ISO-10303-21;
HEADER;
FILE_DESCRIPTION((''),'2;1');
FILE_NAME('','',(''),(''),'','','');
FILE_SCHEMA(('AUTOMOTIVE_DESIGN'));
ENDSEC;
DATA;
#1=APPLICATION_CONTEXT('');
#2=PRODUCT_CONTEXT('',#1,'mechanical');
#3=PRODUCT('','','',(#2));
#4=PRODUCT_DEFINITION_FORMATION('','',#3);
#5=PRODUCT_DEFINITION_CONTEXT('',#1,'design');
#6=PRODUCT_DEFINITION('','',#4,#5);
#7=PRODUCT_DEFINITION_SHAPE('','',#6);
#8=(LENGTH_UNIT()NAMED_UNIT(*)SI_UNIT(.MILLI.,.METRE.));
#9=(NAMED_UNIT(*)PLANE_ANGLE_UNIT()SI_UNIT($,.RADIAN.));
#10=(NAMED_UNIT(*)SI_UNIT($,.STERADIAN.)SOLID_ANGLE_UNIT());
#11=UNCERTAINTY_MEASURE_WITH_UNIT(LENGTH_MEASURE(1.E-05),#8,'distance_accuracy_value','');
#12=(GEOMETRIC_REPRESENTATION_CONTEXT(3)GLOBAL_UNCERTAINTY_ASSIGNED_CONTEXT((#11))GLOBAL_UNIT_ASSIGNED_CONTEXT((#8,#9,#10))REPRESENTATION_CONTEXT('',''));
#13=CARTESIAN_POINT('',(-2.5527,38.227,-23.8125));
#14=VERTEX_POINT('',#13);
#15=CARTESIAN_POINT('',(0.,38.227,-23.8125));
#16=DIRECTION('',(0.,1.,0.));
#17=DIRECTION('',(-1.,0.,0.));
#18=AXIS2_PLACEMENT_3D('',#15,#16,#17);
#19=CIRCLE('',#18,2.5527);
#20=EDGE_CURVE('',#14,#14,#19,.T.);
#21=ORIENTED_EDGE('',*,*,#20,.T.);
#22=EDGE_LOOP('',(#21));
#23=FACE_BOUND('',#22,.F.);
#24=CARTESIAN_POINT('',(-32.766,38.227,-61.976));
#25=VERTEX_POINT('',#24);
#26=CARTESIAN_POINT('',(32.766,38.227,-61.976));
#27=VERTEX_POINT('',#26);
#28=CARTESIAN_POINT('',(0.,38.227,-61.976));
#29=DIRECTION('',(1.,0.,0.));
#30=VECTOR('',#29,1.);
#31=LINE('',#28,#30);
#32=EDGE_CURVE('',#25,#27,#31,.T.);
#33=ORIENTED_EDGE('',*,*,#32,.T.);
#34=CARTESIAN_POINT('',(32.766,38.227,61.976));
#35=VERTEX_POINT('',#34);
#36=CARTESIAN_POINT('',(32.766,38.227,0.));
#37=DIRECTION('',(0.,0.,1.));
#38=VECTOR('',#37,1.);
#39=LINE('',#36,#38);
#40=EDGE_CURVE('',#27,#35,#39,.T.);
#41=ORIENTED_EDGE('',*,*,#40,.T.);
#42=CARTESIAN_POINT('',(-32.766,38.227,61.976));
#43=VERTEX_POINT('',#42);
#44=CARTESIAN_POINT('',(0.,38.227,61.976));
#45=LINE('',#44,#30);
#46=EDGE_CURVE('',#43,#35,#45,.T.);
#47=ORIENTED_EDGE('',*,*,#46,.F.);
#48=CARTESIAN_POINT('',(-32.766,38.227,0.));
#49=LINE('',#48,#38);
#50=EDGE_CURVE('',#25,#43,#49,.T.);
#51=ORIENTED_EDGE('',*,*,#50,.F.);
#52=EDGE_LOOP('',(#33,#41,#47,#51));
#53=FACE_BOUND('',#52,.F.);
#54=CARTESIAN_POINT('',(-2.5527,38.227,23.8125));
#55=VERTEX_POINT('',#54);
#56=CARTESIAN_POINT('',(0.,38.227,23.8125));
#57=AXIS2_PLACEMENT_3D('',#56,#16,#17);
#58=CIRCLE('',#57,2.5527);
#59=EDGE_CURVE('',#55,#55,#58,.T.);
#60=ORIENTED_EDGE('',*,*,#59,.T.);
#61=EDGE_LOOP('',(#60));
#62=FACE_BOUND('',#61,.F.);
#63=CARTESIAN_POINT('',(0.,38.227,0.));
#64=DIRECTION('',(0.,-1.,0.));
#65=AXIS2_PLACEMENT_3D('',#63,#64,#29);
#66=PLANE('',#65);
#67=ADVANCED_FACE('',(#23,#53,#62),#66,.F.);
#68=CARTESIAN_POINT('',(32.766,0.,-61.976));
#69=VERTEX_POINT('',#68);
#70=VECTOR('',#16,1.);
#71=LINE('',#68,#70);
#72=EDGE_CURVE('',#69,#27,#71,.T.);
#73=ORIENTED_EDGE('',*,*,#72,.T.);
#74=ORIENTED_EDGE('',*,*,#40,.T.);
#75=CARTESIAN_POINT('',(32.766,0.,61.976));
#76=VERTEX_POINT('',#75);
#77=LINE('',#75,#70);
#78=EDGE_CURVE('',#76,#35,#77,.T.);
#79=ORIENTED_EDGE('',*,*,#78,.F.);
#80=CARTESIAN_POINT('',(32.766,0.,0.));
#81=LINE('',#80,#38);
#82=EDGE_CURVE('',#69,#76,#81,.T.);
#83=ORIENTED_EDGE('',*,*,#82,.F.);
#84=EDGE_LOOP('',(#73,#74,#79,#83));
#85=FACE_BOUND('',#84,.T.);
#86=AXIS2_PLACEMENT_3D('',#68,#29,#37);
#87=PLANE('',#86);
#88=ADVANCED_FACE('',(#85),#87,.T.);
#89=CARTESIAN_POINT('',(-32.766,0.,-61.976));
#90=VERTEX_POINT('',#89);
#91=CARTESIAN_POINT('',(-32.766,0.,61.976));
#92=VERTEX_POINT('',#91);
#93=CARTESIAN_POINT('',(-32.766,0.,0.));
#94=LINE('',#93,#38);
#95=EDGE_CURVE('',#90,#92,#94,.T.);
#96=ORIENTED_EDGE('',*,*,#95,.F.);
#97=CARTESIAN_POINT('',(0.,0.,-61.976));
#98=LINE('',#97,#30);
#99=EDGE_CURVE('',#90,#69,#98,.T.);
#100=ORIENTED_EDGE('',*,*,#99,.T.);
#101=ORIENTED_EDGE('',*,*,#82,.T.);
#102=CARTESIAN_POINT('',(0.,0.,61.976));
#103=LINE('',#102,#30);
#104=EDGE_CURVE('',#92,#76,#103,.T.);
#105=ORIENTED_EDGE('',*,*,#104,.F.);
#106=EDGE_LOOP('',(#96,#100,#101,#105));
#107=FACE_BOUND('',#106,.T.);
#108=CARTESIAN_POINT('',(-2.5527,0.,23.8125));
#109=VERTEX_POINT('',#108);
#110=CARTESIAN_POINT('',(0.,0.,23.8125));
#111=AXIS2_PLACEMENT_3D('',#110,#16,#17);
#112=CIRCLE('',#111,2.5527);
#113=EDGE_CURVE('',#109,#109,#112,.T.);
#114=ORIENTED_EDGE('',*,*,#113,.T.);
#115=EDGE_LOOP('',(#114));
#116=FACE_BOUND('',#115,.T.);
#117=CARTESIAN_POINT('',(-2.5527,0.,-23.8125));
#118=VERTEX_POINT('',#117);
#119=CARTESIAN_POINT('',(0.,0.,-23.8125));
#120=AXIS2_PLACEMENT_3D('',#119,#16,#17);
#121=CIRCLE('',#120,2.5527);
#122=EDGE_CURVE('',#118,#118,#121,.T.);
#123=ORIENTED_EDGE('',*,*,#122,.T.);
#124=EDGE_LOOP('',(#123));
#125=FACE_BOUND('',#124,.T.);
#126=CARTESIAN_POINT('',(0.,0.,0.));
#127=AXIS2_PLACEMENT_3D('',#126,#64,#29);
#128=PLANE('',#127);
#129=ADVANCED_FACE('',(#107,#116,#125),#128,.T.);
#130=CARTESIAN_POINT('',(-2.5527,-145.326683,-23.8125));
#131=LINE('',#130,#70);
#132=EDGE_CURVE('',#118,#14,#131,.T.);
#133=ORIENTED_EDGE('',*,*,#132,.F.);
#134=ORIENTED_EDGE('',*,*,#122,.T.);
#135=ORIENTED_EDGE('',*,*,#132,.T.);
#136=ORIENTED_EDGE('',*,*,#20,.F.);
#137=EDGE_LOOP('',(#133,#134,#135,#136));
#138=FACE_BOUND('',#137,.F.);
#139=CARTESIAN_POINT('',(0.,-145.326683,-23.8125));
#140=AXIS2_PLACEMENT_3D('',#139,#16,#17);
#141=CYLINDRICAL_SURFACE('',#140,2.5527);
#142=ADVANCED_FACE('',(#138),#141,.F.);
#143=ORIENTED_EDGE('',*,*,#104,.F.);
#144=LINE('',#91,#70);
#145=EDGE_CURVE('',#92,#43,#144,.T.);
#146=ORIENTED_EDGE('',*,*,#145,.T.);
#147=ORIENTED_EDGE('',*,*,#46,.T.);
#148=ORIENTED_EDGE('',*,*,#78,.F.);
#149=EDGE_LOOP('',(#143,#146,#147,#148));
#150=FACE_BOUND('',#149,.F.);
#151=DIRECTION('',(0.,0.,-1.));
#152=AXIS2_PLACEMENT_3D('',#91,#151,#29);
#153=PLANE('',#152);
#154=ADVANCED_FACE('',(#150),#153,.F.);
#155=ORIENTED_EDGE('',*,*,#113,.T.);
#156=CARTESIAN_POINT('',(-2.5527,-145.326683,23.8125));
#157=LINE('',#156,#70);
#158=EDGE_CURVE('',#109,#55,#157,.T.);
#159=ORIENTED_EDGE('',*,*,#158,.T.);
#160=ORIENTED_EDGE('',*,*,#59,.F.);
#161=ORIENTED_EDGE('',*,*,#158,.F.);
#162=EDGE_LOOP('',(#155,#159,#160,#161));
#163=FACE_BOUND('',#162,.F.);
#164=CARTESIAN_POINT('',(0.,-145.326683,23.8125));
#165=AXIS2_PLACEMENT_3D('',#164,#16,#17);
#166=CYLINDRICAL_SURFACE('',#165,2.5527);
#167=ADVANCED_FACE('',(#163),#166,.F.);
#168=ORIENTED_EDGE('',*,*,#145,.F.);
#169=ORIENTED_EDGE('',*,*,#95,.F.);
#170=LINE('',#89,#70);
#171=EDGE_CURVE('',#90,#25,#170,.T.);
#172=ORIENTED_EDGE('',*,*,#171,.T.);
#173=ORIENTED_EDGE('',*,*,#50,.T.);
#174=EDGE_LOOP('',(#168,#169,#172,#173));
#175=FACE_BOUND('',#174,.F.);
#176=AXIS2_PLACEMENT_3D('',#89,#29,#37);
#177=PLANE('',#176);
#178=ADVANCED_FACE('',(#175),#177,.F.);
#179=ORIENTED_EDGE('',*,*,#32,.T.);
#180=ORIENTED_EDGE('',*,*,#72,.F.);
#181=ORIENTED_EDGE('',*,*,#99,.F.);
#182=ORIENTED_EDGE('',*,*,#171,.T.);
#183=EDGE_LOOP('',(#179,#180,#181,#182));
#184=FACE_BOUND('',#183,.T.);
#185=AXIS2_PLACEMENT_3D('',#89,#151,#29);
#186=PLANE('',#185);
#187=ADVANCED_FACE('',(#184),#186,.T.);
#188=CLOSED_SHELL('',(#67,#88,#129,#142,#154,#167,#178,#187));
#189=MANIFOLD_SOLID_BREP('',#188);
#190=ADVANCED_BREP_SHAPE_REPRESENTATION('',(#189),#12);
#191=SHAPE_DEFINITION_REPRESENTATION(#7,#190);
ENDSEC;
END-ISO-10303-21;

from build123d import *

# Parameters (mm, degrees)
F0_W     = 65.532
F0_H     = 123.952
F1_DEPTH = 38.227
F3_D     = 5.1054


with BuildPart() as f1:
    # F0 (on Front) → F1 (new body)
    with BuildSketch(Plane.XZ):
        Rectangle(F0_W, F0_H)
    extrude(amount=-F1_DEPTH)

    # F3 (through all)
    with Locations(Plane.XZ):
        with Locations((0, 23.8125), (0, -23.8125)):
            Hole(F3_D / 2)


solid = f1.part
